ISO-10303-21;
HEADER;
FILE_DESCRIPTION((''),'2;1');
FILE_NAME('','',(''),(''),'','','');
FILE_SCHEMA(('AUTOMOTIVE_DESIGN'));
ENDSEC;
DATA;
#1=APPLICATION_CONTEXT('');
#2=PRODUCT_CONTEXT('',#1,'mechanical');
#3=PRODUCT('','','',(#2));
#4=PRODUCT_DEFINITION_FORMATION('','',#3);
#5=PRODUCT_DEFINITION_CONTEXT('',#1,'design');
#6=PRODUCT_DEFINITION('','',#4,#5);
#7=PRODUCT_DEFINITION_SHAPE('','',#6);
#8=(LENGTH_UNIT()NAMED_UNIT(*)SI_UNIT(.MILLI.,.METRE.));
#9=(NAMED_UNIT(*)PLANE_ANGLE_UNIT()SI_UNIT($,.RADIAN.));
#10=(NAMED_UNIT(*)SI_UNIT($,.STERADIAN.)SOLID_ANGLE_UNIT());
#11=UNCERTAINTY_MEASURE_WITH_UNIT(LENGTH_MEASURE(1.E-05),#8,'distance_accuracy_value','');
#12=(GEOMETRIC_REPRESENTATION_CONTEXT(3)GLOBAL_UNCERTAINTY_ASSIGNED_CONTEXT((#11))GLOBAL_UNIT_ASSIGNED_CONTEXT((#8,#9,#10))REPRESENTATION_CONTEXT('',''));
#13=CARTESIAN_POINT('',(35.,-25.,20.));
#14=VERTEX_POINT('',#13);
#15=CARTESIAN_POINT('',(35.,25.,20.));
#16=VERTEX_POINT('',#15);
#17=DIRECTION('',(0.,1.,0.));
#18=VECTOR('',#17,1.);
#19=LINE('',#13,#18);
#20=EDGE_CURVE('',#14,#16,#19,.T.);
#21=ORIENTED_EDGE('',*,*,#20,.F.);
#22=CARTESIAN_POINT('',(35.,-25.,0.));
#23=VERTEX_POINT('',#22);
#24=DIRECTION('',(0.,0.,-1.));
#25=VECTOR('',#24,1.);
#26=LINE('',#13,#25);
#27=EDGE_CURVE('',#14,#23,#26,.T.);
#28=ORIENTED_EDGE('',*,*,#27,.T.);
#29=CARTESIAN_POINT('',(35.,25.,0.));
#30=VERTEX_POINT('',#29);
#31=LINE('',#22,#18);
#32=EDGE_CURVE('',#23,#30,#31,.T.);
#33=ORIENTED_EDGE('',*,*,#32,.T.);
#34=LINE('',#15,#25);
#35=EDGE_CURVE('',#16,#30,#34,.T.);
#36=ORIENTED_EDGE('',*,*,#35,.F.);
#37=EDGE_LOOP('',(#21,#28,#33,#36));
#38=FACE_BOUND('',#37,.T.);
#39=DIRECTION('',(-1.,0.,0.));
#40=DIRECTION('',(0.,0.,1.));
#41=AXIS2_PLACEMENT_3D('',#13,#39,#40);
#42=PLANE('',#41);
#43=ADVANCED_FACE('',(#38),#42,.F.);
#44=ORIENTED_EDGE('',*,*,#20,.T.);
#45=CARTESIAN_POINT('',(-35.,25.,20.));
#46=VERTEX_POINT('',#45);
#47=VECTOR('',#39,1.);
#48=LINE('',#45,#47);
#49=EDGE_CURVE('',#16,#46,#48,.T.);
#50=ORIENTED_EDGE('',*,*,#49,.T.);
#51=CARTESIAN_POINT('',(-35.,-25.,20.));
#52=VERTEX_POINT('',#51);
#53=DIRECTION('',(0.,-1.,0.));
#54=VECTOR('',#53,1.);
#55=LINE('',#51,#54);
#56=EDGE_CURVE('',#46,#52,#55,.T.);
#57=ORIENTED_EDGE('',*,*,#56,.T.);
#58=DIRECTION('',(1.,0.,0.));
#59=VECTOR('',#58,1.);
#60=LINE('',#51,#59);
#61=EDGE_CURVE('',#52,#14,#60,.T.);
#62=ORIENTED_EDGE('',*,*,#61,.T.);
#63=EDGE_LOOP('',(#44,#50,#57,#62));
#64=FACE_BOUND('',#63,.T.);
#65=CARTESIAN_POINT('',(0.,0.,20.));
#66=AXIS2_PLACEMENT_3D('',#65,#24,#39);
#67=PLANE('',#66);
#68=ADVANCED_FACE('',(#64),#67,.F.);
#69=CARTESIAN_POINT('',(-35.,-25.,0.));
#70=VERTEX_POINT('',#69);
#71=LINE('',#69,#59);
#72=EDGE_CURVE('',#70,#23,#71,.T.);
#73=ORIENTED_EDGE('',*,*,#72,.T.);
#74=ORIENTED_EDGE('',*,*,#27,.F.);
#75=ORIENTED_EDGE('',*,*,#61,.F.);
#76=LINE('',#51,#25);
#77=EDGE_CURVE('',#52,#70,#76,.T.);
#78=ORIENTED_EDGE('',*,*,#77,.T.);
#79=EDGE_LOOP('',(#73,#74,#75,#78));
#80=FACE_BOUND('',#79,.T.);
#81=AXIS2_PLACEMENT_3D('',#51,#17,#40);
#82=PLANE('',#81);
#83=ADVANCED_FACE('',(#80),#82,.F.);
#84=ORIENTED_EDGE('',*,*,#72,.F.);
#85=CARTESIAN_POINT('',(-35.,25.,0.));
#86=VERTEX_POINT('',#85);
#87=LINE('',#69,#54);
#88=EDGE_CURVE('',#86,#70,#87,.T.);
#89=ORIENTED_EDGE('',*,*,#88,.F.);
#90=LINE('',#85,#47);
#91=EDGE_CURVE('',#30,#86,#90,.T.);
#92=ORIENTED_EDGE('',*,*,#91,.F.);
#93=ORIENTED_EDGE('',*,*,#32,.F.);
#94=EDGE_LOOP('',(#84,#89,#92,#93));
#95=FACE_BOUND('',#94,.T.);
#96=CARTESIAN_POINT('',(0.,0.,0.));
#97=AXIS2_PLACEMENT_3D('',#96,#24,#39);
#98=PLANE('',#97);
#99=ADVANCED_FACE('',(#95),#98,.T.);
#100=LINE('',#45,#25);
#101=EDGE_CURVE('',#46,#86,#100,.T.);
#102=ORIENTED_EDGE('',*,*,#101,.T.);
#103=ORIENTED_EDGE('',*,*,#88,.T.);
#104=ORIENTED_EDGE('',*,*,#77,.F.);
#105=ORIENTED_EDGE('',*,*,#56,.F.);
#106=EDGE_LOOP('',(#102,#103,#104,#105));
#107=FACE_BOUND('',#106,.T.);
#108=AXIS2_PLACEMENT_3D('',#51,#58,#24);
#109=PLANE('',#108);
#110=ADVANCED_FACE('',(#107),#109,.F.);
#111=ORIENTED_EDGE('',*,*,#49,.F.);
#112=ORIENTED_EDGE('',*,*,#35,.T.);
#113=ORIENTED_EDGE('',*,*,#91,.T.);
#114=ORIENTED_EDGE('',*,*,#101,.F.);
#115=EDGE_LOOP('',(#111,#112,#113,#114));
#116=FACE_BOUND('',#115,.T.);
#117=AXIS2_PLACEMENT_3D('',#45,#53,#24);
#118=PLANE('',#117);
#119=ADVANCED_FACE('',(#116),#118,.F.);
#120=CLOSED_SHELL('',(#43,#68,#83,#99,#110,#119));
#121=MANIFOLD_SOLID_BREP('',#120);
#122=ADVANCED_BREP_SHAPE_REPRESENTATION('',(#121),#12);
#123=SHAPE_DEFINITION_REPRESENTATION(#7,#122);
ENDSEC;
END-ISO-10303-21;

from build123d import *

# Parameters (mm, degrees)
SKETCH_1_W      = 70
SKETCH_1_H      = 50
EXTRUDE_1_DEPTH = 20


with BuildPart() as part:
    # 草图1 → 凸台-拉伸1 (new body)
    with BuildSketch(Plane.XY):
        Rectangle(SKETCH_1_W, SKETCH_1_H)
    extrude(amount=EXTRUDE_1_DEPTH)


solid = part.part
